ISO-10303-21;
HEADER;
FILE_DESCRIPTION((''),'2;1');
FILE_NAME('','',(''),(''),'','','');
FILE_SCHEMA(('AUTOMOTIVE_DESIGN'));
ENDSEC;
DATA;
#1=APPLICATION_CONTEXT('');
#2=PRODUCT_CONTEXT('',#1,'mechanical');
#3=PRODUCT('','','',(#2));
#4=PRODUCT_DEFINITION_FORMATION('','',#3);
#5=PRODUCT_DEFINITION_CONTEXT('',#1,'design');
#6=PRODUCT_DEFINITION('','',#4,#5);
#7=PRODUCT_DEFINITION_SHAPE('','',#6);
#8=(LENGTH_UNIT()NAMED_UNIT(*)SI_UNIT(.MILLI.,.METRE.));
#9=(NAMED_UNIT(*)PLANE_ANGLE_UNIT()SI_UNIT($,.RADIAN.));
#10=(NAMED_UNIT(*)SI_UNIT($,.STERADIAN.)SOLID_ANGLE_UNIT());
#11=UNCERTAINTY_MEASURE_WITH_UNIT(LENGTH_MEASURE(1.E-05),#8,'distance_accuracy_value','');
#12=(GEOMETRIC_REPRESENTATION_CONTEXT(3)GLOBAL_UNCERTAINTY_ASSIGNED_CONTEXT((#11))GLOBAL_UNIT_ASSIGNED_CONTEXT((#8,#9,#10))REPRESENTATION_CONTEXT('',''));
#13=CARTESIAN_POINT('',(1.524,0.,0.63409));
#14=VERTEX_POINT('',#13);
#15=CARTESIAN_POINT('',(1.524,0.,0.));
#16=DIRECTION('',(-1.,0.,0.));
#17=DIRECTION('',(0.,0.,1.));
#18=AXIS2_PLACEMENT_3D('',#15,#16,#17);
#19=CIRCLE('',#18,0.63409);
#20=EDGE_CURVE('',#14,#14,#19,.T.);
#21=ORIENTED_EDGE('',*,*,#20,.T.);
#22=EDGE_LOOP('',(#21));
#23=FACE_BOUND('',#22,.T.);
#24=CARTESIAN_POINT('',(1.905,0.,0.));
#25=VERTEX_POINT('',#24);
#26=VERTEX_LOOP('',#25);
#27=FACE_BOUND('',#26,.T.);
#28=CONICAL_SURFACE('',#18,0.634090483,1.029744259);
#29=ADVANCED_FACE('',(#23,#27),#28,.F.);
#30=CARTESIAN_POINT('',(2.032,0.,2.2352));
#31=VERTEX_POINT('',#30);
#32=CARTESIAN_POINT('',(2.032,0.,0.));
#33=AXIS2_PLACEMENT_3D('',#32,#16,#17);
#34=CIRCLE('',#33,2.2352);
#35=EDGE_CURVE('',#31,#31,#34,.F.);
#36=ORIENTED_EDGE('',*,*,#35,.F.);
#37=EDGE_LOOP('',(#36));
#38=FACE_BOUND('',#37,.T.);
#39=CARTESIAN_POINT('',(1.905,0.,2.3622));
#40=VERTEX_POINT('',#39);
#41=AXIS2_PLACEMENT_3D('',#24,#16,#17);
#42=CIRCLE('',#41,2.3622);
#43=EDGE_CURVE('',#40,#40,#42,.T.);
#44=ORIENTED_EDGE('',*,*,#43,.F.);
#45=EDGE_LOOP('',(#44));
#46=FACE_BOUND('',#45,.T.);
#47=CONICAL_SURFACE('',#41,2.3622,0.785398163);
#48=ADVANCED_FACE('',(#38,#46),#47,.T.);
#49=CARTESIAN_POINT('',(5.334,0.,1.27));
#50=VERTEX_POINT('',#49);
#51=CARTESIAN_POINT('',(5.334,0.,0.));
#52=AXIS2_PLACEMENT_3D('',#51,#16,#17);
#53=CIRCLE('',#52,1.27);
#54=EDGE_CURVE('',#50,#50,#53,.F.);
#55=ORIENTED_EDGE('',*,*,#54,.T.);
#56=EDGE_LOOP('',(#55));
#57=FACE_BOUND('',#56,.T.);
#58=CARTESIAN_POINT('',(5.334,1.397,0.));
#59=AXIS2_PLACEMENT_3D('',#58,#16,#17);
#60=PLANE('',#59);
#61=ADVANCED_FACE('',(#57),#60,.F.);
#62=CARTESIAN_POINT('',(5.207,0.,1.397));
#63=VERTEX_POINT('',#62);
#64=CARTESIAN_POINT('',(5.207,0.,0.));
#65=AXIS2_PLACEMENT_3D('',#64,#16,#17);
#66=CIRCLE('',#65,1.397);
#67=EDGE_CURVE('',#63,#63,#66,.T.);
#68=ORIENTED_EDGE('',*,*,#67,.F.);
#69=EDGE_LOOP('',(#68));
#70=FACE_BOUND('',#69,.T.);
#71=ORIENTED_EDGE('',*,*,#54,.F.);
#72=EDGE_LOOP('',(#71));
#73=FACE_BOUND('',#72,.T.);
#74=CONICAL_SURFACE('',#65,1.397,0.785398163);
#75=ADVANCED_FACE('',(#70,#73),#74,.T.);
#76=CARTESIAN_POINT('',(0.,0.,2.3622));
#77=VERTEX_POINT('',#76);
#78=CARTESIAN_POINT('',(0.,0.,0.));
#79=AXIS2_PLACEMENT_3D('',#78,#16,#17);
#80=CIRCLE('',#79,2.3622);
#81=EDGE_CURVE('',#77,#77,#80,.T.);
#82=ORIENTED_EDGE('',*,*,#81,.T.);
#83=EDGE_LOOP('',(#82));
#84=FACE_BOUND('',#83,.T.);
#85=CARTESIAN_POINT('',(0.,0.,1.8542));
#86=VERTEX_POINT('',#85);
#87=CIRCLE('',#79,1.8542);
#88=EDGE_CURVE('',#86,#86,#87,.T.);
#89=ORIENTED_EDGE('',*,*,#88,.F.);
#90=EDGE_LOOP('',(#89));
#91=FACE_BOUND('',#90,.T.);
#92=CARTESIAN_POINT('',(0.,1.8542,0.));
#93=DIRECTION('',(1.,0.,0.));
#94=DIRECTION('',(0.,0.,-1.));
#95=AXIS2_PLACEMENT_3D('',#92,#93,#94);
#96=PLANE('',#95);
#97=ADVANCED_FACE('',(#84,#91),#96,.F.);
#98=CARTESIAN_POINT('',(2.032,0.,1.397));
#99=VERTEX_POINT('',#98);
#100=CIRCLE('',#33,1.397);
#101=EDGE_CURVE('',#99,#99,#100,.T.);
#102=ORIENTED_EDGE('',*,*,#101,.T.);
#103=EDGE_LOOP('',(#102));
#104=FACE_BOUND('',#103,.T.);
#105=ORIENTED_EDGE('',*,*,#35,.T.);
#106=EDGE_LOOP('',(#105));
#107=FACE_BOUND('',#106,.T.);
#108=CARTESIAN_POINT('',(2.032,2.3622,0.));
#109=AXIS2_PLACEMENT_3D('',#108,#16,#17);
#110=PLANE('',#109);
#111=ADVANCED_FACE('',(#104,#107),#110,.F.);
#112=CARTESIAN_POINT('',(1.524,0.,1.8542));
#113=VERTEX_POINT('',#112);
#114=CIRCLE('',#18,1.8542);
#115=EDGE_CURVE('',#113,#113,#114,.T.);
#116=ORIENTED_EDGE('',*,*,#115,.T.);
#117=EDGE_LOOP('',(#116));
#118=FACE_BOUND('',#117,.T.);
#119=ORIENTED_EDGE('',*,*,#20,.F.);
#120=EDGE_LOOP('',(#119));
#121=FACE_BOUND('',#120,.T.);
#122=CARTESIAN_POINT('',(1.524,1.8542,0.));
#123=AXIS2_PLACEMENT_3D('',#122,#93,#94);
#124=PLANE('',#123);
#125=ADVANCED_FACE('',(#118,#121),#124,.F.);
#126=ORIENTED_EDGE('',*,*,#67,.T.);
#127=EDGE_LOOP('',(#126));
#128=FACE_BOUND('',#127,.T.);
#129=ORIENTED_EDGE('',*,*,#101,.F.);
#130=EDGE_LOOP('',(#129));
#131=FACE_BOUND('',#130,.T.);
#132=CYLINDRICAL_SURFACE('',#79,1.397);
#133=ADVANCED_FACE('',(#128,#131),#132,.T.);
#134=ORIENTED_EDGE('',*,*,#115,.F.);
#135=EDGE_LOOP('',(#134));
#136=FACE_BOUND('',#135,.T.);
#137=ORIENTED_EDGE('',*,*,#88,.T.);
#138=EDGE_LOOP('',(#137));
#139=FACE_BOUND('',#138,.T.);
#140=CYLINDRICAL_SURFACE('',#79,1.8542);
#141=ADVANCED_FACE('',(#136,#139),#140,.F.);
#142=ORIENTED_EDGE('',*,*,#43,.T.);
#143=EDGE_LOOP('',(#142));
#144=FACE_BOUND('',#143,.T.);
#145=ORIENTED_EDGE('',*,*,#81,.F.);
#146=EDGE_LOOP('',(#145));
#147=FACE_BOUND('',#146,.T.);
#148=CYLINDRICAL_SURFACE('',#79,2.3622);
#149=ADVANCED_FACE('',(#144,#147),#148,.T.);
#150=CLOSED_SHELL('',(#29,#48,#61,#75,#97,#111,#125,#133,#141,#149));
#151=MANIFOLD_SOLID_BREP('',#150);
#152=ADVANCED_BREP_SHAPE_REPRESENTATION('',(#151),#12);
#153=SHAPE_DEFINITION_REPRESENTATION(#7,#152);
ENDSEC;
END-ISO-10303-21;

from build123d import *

# Parameters (mm, degrees)
CHAMFER1_SIZE = 0.127


with BuildPart() as part:
    # Sketch1 → Revolve1 (revolve)
    with BuildSketch(Plane.XY):
        Polygon((0, 1.8542), (0, 2.3622), (2.032, 2.3622), (2.032, 1.397), (5.334, 1.397), (5.334, 0), (1.905, 0), (1.524, 0.634090483), (1.524, 1.8542), align=None)
    revolve(axis=Axis((0, 0, 0), (1, 0, 0)))

    # Chamfer1
    chamfer1_edges = [part.edges().sort_by_distance(p)[0] for p in [
        (2.032, -2.3622, 0),
        (5.334, -1.397, 0),
    ]]
    chamfer(chamfer1_edges, length=CHAMFER1_SIZE)


solid = part.part
